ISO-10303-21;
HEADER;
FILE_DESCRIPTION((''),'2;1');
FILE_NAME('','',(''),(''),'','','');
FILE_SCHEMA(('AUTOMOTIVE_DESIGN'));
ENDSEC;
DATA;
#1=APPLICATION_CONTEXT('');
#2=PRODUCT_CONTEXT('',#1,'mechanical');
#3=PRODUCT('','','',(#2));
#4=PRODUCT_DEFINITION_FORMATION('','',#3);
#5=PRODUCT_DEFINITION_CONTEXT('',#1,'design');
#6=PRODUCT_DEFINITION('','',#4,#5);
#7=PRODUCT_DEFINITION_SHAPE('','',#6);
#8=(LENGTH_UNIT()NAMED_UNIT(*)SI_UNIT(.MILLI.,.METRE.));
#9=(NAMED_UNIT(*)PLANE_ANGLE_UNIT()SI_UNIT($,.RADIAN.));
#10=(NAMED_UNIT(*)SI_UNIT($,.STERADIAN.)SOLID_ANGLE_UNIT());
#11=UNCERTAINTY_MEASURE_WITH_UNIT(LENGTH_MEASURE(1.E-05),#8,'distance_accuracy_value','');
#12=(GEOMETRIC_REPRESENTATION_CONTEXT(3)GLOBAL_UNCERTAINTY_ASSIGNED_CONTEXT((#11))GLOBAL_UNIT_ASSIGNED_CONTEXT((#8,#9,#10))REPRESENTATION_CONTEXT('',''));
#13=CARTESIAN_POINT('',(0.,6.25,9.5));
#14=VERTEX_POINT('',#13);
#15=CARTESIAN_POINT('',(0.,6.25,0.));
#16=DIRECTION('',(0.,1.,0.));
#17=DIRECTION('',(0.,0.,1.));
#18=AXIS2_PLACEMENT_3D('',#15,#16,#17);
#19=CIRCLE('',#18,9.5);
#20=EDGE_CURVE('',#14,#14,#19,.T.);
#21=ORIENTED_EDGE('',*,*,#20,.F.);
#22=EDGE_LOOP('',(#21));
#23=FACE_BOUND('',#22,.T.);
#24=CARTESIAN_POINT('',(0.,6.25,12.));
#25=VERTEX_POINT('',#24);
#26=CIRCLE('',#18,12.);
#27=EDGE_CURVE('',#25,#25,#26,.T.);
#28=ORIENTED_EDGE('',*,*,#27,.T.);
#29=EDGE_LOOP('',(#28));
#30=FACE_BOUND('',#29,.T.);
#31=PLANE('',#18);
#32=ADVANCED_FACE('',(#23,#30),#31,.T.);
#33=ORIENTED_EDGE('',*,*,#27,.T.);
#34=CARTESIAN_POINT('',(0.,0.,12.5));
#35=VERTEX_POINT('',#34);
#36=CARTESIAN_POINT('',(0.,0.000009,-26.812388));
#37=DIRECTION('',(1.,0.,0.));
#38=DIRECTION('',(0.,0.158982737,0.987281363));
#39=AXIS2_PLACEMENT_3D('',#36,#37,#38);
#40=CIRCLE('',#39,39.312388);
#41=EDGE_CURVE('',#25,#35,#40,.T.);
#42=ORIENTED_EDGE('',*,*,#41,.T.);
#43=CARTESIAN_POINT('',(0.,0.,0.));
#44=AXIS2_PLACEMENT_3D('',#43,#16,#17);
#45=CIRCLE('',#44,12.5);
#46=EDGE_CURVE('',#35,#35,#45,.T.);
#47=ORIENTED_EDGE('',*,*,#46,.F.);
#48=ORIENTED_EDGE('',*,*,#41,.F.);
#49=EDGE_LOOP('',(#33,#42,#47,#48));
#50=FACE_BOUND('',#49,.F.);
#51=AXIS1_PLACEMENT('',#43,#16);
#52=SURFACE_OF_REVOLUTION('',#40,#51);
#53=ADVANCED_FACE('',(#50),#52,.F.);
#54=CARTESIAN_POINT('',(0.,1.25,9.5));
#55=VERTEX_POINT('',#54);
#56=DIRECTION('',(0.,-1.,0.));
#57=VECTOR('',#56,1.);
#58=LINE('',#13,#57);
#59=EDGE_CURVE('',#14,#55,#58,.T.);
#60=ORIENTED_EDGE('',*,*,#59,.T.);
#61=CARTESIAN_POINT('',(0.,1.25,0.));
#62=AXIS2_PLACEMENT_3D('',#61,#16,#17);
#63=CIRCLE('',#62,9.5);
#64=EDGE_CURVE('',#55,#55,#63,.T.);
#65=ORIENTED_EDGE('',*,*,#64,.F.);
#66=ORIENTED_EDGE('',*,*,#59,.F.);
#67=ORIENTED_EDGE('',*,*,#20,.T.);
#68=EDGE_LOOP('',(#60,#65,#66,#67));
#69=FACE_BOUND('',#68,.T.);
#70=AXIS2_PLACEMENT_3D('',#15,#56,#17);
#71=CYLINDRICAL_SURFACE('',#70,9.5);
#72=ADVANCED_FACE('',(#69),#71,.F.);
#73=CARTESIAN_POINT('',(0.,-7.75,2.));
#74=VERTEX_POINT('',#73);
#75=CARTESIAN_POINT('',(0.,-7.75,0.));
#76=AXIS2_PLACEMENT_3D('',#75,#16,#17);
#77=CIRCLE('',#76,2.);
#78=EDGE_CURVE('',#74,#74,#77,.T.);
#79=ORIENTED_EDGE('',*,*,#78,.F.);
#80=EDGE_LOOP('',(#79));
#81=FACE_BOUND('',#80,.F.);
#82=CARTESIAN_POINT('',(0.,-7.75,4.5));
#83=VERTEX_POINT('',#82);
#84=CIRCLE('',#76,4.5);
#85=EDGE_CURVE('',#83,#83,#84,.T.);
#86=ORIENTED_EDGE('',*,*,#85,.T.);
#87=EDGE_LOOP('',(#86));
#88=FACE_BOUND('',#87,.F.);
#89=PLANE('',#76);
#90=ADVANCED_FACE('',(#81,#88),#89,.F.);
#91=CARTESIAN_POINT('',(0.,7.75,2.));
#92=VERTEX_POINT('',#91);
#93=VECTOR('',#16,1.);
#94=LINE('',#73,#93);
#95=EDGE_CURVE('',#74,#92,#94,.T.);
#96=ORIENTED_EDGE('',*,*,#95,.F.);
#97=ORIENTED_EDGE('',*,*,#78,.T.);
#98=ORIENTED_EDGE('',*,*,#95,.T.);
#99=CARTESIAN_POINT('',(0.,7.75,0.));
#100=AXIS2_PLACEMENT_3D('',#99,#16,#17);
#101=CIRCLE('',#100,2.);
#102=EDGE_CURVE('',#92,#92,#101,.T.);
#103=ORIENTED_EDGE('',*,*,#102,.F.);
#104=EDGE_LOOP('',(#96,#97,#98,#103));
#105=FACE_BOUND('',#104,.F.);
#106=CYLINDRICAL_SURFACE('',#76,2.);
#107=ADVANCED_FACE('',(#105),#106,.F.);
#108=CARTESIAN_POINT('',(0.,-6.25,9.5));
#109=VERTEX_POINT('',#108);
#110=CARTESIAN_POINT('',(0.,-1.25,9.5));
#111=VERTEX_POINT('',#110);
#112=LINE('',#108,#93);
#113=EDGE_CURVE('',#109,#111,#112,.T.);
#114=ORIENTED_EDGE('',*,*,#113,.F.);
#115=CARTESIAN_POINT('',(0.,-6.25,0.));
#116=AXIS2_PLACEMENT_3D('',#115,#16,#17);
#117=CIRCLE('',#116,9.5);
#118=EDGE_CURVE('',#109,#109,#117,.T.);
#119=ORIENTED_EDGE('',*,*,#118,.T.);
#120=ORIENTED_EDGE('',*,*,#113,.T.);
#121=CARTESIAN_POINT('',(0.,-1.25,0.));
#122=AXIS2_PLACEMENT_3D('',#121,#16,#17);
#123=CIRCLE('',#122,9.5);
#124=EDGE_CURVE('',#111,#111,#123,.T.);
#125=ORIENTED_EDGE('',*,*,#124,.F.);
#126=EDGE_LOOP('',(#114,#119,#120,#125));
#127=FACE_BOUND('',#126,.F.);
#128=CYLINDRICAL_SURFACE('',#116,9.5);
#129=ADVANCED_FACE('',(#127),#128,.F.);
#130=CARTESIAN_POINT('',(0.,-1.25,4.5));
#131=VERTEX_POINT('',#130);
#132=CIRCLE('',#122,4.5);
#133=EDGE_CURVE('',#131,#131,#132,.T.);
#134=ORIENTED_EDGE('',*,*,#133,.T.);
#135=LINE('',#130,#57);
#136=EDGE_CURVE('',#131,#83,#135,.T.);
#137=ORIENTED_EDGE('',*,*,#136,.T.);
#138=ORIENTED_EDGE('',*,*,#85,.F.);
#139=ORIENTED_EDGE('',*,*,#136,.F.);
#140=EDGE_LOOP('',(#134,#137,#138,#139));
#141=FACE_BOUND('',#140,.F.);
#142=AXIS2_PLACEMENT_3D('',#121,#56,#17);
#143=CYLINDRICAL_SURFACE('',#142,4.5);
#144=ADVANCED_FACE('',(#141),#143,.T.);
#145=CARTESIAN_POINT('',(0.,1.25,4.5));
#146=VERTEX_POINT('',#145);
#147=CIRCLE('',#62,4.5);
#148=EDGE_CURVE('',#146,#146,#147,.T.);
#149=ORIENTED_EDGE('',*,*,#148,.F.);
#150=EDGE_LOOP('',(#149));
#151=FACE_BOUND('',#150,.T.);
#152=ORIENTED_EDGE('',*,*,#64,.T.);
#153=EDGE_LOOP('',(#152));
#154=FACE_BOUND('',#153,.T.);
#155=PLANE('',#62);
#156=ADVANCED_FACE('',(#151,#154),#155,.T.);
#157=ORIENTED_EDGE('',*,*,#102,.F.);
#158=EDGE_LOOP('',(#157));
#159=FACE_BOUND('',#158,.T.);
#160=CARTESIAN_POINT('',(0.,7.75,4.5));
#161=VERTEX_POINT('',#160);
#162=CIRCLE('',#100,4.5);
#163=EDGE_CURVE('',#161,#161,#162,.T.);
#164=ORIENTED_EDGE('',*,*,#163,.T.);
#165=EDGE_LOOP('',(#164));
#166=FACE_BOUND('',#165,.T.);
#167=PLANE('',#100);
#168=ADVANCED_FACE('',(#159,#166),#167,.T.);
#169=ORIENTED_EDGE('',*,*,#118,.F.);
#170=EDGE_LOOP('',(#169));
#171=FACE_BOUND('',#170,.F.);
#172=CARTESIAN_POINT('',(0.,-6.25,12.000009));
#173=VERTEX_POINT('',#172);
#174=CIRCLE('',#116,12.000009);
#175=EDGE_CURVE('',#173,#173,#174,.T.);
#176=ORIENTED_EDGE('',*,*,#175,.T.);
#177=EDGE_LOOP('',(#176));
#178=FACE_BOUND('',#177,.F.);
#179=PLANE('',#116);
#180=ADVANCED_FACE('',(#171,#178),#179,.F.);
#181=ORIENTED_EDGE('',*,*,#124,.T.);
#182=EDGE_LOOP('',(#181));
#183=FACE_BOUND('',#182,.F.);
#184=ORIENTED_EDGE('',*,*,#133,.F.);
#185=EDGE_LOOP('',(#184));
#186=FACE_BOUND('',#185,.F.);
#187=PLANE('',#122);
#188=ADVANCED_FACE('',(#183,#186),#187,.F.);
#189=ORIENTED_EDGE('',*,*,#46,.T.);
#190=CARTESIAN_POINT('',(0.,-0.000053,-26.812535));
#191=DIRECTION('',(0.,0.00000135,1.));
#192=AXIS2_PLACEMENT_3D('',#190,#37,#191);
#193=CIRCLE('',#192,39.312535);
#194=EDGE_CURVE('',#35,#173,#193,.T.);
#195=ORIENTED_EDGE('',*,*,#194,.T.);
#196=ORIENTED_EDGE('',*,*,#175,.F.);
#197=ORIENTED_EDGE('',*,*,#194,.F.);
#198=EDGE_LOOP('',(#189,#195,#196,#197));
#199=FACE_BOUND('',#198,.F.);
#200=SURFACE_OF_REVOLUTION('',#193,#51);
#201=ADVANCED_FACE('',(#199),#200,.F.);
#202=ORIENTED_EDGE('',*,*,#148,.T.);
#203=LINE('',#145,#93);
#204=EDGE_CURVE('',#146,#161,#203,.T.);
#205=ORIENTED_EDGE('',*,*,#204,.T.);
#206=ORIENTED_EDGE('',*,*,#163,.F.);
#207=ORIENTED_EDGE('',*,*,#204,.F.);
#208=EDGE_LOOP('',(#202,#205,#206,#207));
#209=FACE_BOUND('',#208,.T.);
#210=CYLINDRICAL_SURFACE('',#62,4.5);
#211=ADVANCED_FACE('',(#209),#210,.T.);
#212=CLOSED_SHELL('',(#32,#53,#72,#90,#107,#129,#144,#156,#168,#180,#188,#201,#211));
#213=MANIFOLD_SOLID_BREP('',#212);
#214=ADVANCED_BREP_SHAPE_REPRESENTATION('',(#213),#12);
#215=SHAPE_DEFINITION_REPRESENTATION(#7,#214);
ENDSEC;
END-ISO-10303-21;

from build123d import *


with BuildPart() as part:
    # Sketch → Revolution (revolve)
    with BuildSketch(Plane.YZ):
        with BuildLine():
            ThreePointArc((6.25, 12), (3.134984, 12.374801), (0, 12.5))
            ThreePointArc((0, 12.5), (-3.134984, 12.374805), (-6.25, 12.000009))
            Line((-6.25, 12.000009), (-6.25, 9.5))
            Line((-6.25, 9.5), (-1.25, 9.5))
            Line((-1.25, 9.5), (-1.25, 4.5))
            Line((-1.25, 4.5), (-7.75, 4.5))
            Line((-7.75, 4.5), (-7.75, 2))
            Line((0, 2), (-7.75, 2))
            Line((0, 2), (7.75, 2))
            Line((7.75, 4.5), (7.75, 2))
            Line((1.25, 4.5), (7.75, 4.5))
            Line((1.25, 9.5), (1.25, 4.5))
            Line((6.25, 9.5), (1.25, 9.5))
            Line((6.25, 12), (6.25, 9.5))
        make_face()
    revolve(axis=Axis((0, 0, 0), (0, 1, 0)))


solid = part.part
